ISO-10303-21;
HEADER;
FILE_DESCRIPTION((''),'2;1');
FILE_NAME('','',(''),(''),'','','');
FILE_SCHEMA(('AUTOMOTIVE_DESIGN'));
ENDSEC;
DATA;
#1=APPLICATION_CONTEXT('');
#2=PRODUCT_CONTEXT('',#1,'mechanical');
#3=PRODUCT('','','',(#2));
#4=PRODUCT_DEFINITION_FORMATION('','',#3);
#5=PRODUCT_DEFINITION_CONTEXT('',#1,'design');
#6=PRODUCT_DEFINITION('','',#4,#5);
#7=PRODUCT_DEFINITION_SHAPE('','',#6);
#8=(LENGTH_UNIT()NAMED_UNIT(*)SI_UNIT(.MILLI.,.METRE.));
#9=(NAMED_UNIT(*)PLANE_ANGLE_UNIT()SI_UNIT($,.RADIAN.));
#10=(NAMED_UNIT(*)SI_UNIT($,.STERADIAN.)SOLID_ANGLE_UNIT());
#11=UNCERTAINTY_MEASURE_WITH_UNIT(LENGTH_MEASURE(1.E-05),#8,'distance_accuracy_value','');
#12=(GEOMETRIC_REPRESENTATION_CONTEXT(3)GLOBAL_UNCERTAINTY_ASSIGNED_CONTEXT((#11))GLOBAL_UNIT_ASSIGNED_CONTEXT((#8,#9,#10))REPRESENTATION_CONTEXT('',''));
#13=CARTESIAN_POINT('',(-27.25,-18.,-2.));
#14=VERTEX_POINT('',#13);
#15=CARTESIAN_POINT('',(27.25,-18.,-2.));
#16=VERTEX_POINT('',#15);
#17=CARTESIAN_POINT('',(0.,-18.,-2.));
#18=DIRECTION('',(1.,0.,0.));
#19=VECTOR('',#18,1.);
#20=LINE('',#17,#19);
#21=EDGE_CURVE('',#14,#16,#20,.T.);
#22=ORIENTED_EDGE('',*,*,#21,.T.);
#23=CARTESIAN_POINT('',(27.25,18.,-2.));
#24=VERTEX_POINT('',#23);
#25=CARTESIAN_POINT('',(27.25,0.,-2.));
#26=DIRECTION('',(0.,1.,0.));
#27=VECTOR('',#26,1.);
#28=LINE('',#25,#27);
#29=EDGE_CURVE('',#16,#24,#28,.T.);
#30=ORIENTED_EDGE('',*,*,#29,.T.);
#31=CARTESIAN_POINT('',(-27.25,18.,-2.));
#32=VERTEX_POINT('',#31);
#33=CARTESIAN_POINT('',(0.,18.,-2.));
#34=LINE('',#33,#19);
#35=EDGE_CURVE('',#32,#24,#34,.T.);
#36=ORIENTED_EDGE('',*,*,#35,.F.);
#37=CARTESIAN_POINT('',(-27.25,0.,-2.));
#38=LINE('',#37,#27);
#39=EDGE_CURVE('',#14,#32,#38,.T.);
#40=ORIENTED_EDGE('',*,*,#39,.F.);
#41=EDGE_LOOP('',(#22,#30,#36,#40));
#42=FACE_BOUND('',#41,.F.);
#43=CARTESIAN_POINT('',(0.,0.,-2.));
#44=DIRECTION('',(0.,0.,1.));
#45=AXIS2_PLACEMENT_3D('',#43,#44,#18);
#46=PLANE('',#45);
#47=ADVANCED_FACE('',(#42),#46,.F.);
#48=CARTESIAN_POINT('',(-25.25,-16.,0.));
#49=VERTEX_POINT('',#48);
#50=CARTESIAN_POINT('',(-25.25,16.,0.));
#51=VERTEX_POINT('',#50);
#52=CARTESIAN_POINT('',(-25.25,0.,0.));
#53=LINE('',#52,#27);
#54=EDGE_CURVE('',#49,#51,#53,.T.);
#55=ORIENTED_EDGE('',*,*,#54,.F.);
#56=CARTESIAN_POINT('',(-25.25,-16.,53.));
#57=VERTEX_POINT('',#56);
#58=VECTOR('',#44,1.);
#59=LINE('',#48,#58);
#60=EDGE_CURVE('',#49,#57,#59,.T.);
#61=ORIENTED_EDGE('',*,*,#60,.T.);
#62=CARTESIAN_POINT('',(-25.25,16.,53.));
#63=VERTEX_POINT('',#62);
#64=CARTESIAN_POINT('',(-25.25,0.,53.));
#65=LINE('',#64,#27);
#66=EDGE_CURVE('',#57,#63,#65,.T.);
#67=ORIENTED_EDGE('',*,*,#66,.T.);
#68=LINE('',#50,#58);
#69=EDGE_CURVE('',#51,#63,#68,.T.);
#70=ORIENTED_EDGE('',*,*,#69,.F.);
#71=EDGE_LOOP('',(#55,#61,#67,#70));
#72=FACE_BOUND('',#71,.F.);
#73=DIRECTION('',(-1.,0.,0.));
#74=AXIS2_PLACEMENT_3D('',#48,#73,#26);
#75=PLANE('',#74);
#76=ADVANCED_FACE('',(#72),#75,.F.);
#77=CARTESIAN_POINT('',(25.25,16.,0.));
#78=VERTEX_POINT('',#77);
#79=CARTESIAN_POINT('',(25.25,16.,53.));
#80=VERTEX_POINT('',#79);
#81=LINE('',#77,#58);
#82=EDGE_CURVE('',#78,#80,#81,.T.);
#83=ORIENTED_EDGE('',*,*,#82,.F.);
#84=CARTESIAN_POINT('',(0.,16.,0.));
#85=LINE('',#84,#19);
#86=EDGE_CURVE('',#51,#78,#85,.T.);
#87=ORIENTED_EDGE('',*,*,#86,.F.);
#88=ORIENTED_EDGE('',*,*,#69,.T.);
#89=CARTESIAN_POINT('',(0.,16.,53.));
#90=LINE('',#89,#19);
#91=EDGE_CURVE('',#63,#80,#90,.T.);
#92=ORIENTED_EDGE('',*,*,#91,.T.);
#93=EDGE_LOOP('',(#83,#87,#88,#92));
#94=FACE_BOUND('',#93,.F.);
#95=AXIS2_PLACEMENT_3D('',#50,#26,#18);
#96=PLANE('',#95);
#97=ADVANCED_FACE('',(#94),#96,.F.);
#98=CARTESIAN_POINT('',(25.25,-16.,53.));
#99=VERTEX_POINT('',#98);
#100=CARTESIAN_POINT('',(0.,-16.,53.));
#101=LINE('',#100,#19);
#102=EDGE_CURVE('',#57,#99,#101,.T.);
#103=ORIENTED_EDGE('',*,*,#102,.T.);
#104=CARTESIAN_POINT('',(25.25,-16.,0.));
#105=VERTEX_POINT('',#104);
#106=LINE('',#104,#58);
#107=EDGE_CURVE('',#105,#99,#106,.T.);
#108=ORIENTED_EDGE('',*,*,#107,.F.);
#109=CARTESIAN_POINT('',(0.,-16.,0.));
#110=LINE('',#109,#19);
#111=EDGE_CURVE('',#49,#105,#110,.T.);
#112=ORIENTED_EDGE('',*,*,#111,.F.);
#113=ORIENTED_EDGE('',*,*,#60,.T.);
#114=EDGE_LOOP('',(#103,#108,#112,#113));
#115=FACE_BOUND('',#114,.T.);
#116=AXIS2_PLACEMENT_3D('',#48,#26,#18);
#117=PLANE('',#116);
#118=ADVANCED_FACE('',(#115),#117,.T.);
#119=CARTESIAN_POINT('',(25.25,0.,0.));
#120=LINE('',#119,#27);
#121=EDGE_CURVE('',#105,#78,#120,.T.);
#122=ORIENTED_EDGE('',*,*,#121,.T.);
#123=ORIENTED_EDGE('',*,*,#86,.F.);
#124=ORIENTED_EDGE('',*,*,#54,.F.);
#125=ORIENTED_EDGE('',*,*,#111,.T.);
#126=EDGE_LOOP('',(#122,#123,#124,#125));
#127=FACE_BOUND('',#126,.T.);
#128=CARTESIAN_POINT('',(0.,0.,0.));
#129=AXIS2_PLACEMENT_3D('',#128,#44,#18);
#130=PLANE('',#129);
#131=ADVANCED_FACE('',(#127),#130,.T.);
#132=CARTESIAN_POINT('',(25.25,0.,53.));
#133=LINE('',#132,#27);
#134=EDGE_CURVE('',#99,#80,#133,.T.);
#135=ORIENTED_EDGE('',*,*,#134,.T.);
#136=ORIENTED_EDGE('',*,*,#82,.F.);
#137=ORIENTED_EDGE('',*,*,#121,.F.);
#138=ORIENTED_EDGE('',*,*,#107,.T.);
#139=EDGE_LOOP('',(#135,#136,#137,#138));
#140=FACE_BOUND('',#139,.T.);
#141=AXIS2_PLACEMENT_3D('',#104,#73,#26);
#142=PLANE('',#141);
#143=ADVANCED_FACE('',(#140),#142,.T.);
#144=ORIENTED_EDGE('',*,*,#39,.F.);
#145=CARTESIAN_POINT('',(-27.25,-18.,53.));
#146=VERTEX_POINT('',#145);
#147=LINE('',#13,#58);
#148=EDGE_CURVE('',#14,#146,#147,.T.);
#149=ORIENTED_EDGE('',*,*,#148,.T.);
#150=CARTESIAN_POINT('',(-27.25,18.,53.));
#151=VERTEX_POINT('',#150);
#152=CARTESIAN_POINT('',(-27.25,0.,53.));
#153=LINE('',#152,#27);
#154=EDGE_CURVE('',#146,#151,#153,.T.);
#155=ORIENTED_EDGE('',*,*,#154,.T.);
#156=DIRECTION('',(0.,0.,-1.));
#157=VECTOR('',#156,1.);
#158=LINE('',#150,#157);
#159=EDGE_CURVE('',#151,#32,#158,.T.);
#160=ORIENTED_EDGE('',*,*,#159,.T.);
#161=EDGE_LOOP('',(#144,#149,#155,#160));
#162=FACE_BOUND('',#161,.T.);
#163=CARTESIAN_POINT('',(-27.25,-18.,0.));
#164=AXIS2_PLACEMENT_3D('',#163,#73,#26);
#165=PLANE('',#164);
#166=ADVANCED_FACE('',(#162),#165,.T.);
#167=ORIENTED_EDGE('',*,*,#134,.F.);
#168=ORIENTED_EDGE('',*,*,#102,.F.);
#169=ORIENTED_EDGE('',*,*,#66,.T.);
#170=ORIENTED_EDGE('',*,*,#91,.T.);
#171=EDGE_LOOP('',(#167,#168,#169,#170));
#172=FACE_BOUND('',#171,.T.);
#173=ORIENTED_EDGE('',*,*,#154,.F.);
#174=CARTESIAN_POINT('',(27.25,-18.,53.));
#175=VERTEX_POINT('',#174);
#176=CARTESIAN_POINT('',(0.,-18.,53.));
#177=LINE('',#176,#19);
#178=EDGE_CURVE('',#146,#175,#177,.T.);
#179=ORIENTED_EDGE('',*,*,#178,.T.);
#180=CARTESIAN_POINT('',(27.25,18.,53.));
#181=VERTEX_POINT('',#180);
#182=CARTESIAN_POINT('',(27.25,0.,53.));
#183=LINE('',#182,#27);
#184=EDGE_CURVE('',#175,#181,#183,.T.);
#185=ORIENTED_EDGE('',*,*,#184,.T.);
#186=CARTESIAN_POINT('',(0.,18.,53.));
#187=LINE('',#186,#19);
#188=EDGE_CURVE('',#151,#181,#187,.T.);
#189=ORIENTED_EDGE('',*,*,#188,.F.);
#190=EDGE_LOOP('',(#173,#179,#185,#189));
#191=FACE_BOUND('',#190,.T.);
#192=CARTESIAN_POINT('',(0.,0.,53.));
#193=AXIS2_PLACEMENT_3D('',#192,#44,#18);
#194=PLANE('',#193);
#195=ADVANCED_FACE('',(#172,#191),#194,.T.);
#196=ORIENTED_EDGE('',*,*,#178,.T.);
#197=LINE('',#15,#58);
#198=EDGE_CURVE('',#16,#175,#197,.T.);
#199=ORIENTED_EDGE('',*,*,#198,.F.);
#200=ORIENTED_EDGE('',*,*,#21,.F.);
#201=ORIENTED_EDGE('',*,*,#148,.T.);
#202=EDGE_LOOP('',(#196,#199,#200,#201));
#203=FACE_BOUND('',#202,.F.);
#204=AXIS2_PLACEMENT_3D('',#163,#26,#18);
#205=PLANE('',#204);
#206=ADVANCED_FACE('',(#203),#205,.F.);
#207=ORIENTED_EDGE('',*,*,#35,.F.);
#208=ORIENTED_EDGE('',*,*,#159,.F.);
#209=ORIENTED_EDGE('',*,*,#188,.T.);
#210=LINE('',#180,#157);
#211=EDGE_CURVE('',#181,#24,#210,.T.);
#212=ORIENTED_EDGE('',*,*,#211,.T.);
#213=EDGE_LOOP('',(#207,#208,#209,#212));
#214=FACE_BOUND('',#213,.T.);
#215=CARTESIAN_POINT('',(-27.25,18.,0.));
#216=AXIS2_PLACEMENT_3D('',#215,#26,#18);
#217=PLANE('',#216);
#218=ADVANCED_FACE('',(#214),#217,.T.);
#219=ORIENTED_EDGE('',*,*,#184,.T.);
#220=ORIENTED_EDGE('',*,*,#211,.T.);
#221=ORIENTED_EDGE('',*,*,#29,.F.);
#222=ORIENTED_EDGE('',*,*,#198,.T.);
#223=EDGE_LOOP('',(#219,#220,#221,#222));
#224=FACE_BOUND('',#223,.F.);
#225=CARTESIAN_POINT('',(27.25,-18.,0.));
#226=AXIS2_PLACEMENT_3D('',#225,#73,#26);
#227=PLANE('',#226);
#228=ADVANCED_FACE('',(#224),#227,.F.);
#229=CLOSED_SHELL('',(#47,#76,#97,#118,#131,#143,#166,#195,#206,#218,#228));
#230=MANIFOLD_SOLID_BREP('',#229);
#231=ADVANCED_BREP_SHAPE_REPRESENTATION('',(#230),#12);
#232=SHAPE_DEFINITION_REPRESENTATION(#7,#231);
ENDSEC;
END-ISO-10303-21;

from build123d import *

# Parameters (mm, degrees)
F0_W     = 54.5
F0_H     = 36
F0_W_2   = 50.5
F0_H_2   = 32
F1_DEPTH = 2
F2_DEPTH = 53


with BuildPart() as f1:
    # F0 (on Top) → F1 (new body)
    with BuildSketch(Plane.XY):
        Rectangle(F0_W, F0_H)
        Rectangle(F0_W_2, F0_H_2, mode=Mode.SUBTRACT)
        Rectangle(F0_W_2, F0_H_2)
    extrude(amount=-F1_DEPTH)

    # F0 (on Top) → F2 (join)
    with BuildSketch(Plane.XY):
        Rectangle(F0_W, F0_H)
        Rectangle(F0_W_2, F0_H_2, mode=Mode.SUBTRACT)
    extrude(amount=F2_DEPTH)


solid = f1.part
